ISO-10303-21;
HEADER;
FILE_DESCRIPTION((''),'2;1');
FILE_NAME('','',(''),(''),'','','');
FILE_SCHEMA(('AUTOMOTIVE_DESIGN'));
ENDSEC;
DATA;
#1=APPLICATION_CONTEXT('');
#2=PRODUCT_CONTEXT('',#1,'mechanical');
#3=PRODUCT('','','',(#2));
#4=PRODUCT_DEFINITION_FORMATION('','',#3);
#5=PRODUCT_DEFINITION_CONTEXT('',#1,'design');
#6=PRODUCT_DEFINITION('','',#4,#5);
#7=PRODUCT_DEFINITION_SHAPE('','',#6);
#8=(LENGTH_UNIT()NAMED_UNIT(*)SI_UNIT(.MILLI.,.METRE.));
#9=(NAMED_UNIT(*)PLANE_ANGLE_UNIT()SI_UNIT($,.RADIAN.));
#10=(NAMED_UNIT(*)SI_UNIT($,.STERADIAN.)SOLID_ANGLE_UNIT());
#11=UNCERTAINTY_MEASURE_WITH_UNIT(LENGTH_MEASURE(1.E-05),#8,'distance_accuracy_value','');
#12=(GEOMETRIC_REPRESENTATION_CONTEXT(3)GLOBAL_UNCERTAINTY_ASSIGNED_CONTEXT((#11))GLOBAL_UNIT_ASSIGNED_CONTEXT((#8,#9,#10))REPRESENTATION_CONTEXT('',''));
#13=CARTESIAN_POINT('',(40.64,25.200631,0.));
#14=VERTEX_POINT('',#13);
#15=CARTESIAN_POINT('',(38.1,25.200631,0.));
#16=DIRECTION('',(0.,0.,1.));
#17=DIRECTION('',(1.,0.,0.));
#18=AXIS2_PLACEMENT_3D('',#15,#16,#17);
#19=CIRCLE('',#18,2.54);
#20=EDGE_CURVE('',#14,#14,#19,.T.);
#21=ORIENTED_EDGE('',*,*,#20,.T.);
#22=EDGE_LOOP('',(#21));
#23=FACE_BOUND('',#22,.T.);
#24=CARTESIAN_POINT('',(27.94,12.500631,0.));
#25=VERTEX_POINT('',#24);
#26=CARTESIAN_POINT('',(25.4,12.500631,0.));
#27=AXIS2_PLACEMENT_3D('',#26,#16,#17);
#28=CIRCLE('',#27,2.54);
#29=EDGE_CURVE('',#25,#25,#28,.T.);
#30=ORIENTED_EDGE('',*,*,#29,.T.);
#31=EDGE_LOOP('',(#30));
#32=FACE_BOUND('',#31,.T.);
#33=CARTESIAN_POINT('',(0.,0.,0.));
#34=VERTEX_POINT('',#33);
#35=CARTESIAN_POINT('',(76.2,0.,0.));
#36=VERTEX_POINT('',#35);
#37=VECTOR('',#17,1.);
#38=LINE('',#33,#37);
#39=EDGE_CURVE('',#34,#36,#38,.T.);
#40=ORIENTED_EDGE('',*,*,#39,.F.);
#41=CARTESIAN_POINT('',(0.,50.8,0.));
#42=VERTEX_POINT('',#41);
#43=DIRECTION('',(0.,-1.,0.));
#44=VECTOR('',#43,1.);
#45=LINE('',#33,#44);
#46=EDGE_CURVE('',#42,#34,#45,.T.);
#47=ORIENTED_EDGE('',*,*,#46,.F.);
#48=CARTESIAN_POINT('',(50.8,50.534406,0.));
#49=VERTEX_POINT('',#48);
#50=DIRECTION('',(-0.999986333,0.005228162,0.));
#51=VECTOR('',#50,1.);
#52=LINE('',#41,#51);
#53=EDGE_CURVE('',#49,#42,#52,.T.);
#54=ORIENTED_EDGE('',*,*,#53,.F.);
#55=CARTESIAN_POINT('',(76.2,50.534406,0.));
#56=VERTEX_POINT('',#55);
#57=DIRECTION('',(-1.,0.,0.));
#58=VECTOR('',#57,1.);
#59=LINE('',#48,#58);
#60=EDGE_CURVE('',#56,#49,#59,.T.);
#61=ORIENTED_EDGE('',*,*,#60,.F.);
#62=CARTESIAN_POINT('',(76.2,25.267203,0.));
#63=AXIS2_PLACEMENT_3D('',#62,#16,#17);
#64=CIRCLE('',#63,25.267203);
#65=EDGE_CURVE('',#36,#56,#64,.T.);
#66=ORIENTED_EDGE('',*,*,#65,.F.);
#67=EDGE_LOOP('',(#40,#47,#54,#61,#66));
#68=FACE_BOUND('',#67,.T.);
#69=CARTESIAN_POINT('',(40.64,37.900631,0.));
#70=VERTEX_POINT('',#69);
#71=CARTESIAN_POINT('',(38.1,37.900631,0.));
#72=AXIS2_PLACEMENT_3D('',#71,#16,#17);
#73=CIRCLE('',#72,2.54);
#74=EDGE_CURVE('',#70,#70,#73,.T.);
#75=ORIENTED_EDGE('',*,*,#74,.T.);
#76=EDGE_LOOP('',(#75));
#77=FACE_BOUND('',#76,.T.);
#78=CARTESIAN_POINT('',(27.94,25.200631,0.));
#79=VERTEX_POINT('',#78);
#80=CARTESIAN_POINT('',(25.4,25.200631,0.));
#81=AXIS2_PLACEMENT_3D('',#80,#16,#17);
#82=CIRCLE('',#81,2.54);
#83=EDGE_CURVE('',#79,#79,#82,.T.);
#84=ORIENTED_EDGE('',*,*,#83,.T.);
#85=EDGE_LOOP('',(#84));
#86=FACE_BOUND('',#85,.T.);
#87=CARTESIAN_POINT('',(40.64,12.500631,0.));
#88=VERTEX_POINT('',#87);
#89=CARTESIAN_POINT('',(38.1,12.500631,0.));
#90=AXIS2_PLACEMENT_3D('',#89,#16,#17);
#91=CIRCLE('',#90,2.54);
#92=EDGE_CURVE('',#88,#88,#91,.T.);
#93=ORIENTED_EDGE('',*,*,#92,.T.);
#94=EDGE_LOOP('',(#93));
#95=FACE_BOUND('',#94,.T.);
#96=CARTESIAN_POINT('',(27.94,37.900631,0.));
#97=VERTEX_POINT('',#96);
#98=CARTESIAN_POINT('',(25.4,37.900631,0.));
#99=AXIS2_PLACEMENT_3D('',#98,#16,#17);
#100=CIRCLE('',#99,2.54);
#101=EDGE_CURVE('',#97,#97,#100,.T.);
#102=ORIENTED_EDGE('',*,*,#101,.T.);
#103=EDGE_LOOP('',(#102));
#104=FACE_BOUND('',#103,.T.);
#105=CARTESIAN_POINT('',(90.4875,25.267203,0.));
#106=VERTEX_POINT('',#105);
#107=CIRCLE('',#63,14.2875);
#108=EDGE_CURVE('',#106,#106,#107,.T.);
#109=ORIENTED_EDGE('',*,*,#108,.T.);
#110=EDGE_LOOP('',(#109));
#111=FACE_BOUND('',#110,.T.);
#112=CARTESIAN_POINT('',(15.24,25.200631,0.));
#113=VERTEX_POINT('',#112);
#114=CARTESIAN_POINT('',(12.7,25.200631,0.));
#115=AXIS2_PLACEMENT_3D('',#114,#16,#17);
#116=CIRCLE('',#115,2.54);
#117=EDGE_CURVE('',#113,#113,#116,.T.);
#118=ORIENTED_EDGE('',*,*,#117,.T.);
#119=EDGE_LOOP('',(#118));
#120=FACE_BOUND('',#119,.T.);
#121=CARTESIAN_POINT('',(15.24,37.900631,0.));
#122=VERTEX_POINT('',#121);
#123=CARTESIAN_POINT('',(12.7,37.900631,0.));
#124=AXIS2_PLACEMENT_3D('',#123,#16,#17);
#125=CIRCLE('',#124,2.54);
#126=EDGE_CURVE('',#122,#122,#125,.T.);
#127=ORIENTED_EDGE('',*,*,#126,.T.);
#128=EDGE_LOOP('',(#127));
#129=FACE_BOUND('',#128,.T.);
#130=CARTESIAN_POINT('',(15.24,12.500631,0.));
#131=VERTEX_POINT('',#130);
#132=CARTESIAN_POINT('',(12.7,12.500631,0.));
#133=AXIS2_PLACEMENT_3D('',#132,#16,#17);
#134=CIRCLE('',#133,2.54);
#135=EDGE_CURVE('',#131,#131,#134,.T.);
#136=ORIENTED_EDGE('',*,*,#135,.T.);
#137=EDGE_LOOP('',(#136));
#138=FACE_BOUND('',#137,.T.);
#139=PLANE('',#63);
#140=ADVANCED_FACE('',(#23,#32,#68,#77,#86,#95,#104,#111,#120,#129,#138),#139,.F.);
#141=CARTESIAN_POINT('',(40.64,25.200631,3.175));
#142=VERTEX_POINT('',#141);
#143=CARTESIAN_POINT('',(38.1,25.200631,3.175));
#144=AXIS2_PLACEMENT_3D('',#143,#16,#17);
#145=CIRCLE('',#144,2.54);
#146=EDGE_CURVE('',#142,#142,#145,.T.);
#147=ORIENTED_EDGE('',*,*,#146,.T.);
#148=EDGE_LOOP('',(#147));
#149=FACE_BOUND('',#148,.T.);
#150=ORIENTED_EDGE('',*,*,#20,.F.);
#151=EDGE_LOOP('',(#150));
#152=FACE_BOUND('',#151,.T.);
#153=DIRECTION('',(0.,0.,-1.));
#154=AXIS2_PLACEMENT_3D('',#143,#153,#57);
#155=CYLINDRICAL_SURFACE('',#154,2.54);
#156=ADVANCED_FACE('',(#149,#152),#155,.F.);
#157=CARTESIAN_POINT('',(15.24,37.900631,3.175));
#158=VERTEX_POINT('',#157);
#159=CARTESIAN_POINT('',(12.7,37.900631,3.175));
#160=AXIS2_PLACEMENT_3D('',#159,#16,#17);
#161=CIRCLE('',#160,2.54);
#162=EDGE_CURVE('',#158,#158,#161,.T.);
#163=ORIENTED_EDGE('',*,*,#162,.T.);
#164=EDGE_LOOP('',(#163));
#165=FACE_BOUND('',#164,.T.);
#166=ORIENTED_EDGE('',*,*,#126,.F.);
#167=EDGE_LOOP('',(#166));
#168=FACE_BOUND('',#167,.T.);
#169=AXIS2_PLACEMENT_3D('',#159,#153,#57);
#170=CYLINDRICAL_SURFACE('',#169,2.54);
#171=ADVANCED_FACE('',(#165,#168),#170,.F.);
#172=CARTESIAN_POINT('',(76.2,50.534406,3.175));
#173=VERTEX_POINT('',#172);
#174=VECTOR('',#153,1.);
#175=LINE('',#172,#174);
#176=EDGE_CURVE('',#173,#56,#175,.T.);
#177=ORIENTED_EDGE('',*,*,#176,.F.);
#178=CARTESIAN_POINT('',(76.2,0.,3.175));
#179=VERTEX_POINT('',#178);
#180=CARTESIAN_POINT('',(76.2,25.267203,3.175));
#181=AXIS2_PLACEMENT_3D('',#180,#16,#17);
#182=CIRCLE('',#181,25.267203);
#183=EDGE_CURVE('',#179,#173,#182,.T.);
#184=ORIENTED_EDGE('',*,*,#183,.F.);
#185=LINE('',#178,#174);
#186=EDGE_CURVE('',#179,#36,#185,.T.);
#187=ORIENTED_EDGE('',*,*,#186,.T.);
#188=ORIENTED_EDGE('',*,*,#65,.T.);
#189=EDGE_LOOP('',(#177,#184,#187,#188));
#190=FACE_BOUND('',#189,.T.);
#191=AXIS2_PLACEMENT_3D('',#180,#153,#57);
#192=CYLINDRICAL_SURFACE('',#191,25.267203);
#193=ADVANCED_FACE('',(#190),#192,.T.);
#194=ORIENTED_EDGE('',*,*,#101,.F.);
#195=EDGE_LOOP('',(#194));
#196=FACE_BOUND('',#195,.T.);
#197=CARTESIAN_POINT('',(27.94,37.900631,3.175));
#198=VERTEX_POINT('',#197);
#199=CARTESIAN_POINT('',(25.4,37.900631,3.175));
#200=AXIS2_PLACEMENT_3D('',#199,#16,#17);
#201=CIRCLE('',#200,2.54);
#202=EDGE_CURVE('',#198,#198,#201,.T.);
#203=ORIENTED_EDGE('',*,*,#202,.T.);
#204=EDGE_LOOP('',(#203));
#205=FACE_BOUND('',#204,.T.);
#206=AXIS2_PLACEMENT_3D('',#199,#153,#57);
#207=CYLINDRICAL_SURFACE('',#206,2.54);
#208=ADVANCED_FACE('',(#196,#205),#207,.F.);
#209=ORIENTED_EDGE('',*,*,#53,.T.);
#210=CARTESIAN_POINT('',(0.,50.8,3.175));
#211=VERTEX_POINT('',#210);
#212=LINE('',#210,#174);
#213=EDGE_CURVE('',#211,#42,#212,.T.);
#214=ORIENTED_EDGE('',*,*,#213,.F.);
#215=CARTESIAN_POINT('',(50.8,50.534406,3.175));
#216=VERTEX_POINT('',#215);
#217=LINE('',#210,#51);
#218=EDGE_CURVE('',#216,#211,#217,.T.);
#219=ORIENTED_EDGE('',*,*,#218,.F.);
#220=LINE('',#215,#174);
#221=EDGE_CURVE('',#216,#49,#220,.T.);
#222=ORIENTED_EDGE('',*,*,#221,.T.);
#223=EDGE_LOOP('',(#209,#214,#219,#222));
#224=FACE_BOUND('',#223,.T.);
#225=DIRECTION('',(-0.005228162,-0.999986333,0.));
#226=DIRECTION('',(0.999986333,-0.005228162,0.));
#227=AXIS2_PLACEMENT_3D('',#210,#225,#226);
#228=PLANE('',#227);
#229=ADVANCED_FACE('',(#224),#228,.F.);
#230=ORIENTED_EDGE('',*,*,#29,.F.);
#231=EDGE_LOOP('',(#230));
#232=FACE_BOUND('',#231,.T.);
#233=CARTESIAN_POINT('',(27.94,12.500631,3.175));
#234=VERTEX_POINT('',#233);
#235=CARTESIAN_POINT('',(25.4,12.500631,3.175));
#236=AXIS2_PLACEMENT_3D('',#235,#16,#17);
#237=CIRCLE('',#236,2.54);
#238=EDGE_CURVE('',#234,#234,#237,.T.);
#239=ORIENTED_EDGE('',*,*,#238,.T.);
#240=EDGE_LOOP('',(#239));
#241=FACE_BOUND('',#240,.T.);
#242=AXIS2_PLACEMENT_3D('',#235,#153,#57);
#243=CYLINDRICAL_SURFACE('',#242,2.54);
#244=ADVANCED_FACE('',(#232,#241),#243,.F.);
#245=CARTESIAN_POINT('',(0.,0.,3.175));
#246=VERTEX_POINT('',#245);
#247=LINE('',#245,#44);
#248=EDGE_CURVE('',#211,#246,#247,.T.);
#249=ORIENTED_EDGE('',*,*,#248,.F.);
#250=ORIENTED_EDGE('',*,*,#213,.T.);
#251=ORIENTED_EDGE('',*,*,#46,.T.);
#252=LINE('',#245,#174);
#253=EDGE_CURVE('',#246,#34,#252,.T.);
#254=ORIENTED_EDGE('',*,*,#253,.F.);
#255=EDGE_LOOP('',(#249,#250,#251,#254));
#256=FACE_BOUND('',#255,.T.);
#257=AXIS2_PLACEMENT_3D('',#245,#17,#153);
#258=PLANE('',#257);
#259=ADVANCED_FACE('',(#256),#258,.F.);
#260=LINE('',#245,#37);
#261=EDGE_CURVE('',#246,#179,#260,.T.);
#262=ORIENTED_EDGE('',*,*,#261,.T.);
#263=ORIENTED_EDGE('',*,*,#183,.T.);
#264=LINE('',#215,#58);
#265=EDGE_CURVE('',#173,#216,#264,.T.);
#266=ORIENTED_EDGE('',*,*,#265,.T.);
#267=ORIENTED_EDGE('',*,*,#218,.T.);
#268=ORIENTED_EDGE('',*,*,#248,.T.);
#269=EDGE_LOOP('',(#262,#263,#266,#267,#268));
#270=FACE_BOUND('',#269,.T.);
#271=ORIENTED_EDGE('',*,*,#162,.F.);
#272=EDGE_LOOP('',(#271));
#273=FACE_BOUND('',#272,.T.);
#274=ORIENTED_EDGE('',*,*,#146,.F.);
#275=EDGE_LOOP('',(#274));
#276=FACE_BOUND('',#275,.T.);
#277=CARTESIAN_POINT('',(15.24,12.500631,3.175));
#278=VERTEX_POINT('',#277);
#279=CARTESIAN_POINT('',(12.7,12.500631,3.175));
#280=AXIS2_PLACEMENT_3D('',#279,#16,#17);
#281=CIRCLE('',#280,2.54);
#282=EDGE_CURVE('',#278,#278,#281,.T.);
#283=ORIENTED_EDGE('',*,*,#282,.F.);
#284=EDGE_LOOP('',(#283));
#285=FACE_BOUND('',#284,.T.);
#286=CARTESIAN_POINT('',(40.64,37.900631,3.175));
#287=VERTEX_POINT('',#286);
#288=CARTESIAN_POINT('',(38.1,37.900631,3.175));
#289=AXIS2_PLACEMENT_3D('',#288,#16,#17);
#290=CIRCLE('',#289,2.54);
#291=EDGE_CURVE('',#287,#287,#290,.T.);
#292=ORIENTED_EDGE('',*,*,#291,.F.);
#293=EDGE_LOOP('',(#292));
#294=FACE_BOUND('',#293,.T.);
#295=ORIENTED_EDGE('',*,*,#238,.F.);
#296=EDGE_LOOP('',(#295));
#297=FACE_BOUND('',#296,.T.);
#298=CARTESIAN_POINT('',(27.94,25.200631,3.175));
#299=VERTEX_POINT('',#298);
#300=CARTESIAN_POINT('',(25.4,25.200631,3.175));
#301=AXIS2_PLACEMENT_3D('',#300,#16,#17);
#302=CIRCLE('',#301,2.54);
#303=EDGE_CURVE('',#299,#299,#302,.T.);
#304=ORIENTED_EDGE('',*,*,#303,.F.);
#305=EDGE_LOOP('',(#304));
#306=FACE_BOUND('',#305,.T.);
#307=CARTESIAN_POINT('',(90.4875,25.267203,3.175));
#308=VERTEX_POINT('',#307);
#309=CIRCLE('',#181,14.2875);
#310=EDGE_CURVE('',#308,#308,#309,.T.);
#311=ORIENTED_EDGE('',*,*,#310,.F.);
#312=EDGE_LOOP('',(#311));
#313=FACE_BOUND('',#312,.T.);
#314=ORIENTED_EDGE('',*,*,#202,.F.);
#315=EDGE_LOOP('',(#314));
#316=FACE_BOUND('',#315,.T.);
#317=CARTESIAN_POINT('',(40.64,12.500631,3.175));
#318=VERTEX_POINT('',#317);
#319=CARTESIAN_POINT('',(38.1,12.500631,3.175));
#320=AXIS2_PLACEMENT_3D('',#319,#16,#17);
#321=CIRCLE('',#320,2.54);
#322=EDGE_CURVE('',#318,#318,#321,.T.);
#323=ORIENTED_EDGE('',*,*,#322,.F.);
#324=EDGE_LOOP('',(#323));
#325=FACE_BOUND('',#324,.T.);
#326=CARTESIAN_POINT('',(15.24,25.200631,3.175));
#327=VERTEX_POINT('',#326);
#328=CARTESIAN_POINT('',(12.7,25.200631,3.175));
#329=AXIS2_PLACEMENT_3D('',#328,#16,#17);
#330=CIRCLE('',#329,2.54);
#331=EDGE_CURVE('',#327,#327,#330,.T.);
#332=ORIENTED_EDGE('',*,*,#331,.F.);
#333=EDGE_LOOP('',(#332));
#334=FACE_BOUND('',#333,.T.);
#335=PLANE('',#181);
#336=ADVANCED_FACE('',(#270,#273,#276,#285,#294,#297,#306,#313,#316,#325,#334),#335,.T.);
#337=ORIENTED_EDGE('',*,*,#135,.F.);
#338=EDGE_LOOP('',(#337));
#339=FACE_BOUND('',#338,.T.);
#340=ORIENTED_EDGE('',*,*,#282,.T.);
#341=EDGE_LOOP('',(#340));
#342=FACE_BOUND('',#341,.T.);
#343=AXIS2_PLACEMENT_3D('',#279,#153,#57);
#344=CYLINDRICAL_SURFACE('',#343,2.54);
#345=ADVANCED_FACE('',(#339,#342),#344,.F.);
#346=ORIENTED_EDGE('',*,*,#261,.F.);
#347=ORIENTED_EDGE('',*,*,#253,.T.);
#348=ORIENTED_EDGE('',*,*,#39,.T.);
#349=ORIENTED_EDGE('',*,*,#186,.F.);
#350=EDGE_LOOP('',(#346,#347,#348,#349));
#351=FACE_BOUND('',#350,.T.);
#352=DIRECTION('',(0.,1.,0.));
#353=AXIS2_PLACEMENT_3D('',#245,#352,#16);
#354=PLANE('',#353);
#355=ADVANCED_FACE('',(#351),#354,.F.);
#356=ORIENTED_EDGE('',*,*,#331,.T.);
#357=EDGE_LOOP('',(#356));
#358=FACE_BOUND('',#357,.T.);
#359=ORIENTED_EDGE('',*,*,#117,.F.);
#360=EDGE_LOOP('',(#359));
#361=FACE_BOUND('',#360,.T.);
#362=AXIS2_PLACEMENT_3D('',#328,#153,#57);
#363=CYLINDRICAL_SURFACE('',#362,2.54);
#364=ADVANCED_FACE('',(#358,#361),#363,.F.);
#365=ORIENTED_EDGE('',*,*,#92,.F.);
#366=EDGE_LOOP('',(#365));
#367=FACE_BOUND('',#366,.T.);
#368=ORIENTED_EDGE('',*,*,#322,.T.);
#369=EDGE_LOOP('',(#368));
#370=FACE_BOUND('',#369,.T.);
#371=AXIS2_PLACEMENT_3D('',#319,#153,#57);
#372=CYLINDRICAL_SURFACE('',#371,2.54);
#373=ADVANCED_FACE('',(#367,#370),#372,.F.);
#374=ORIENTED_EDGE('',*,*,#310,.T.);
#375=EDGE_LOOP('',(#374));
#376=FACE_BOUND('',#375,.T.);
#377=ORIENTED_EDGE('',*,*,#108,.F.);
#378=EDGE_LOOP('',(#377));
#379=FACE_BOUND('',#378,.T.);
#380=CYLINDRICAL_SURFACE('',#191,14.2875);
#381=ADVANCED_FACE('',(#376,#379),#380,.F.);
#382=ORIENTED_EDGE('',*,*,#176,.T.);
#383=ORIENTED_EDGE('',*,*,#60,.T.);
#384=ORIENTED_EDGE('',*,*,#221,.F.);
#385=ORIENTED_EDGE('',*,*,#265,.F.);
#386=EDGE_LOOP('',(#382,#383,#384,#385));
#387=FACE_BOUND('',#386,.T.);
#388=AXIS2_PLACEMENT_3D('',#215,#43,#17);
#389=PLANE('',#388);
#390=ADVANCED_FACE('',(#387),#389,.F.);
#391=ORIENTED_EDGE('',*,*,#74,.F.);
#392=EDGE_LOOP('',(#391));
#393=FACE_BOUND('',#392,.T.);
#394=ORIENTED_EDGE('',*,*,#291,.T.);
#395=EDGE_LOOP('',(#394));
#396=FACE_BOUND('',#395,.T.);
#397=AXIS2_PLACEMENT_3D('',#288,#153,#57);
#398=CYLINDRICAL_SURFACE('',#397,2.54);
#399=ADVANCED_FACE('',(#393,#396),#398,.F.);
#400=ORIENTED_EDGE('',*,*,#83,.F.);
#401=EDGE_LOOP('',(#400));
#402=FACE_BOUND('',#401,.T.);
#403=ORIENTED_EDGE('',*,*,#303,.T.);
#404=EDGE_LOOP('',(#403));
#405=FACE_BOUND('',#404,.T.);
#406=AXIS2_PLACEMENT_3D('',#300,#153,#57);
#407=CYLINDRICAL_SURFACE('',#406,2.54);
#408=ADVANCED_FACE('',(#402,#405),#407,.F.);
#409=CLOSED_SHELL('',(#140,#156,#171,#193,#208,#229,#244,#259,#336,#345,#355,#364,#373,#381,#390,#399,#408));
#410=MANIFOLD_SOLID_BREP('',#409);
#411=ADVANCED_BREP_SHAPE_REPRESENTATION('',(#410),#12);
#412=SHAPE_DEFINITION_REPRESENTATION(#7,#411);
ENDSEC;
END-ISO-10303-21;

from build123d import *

# Parameters (mm, degrees)
SKETCH1_R           = 2.54
SKETCH1_R_2         = 14.2875
BOSS_EXTRUDE1_DEPTH = 3.175


with BuildPart() as part:
    # Sketch1 → Boss-Extrude1 (new body)
    with BuildSketch(Plane.XY):
        with BuildLine():
            Line((0, 0), (0, 50.8))
            Line((0, 50.8), (50.8, 50.534405745))
            Line((50.8, 50.534405745), (76.2, 50.534405745))
            ThreePointArc((76.2, 50.534405745), (101.467202873, 25.267202873), (76.2, 0))
            Line((76.2, 0), (0, 0))
        make_face()
        with Locations((12.7, 37.900630736)):
            Circle(SKETCH1_R, mode=Mode.SUBTRACT)
        with Locations((25.4, 37.900630736)):
            Circle(SKETCH1_R, mode=Mode.SUBTRACT)
        with Locations((38.1, 37.900630736)):
            Circle(SKETCH1_R, mode=Mode.SUBTRACT)
        with Locations((25.4, 25.200630736)):
            Circle(SKETCH1_R, mode=Mode.SUBTRACT)
        with Locations((38.1, 25.200630736)):
            Circle(SKETCH1_R, mode=Mode.SUBTRACT)
        with Locations((25.4, 12.500630736)):
            Circle(SKETCH1_R, mode=Mode.SUBTRACT)
        with Locations((38.1, 12.500630736)):
            Circle(SKETCH1_R, mode=Mode.SUBTRACT)
        with Locations((12.7, 25.200630736)):
            Circle(SKETCH1_R, mode=Mode.SUBTRACT)
        with Locations((12.7, 12.500630736)):
            Circle(SKETCH1_R, mode=Mode.SUBTRACT)
        with Locations((76.2, 25.267202873)):
            Circle(SKETCH1_R_2, mode=Mode.SUBTRACT)
    extrude(amount=BOSS_EXTRUDE1_DEPTH)


solid = part.part
